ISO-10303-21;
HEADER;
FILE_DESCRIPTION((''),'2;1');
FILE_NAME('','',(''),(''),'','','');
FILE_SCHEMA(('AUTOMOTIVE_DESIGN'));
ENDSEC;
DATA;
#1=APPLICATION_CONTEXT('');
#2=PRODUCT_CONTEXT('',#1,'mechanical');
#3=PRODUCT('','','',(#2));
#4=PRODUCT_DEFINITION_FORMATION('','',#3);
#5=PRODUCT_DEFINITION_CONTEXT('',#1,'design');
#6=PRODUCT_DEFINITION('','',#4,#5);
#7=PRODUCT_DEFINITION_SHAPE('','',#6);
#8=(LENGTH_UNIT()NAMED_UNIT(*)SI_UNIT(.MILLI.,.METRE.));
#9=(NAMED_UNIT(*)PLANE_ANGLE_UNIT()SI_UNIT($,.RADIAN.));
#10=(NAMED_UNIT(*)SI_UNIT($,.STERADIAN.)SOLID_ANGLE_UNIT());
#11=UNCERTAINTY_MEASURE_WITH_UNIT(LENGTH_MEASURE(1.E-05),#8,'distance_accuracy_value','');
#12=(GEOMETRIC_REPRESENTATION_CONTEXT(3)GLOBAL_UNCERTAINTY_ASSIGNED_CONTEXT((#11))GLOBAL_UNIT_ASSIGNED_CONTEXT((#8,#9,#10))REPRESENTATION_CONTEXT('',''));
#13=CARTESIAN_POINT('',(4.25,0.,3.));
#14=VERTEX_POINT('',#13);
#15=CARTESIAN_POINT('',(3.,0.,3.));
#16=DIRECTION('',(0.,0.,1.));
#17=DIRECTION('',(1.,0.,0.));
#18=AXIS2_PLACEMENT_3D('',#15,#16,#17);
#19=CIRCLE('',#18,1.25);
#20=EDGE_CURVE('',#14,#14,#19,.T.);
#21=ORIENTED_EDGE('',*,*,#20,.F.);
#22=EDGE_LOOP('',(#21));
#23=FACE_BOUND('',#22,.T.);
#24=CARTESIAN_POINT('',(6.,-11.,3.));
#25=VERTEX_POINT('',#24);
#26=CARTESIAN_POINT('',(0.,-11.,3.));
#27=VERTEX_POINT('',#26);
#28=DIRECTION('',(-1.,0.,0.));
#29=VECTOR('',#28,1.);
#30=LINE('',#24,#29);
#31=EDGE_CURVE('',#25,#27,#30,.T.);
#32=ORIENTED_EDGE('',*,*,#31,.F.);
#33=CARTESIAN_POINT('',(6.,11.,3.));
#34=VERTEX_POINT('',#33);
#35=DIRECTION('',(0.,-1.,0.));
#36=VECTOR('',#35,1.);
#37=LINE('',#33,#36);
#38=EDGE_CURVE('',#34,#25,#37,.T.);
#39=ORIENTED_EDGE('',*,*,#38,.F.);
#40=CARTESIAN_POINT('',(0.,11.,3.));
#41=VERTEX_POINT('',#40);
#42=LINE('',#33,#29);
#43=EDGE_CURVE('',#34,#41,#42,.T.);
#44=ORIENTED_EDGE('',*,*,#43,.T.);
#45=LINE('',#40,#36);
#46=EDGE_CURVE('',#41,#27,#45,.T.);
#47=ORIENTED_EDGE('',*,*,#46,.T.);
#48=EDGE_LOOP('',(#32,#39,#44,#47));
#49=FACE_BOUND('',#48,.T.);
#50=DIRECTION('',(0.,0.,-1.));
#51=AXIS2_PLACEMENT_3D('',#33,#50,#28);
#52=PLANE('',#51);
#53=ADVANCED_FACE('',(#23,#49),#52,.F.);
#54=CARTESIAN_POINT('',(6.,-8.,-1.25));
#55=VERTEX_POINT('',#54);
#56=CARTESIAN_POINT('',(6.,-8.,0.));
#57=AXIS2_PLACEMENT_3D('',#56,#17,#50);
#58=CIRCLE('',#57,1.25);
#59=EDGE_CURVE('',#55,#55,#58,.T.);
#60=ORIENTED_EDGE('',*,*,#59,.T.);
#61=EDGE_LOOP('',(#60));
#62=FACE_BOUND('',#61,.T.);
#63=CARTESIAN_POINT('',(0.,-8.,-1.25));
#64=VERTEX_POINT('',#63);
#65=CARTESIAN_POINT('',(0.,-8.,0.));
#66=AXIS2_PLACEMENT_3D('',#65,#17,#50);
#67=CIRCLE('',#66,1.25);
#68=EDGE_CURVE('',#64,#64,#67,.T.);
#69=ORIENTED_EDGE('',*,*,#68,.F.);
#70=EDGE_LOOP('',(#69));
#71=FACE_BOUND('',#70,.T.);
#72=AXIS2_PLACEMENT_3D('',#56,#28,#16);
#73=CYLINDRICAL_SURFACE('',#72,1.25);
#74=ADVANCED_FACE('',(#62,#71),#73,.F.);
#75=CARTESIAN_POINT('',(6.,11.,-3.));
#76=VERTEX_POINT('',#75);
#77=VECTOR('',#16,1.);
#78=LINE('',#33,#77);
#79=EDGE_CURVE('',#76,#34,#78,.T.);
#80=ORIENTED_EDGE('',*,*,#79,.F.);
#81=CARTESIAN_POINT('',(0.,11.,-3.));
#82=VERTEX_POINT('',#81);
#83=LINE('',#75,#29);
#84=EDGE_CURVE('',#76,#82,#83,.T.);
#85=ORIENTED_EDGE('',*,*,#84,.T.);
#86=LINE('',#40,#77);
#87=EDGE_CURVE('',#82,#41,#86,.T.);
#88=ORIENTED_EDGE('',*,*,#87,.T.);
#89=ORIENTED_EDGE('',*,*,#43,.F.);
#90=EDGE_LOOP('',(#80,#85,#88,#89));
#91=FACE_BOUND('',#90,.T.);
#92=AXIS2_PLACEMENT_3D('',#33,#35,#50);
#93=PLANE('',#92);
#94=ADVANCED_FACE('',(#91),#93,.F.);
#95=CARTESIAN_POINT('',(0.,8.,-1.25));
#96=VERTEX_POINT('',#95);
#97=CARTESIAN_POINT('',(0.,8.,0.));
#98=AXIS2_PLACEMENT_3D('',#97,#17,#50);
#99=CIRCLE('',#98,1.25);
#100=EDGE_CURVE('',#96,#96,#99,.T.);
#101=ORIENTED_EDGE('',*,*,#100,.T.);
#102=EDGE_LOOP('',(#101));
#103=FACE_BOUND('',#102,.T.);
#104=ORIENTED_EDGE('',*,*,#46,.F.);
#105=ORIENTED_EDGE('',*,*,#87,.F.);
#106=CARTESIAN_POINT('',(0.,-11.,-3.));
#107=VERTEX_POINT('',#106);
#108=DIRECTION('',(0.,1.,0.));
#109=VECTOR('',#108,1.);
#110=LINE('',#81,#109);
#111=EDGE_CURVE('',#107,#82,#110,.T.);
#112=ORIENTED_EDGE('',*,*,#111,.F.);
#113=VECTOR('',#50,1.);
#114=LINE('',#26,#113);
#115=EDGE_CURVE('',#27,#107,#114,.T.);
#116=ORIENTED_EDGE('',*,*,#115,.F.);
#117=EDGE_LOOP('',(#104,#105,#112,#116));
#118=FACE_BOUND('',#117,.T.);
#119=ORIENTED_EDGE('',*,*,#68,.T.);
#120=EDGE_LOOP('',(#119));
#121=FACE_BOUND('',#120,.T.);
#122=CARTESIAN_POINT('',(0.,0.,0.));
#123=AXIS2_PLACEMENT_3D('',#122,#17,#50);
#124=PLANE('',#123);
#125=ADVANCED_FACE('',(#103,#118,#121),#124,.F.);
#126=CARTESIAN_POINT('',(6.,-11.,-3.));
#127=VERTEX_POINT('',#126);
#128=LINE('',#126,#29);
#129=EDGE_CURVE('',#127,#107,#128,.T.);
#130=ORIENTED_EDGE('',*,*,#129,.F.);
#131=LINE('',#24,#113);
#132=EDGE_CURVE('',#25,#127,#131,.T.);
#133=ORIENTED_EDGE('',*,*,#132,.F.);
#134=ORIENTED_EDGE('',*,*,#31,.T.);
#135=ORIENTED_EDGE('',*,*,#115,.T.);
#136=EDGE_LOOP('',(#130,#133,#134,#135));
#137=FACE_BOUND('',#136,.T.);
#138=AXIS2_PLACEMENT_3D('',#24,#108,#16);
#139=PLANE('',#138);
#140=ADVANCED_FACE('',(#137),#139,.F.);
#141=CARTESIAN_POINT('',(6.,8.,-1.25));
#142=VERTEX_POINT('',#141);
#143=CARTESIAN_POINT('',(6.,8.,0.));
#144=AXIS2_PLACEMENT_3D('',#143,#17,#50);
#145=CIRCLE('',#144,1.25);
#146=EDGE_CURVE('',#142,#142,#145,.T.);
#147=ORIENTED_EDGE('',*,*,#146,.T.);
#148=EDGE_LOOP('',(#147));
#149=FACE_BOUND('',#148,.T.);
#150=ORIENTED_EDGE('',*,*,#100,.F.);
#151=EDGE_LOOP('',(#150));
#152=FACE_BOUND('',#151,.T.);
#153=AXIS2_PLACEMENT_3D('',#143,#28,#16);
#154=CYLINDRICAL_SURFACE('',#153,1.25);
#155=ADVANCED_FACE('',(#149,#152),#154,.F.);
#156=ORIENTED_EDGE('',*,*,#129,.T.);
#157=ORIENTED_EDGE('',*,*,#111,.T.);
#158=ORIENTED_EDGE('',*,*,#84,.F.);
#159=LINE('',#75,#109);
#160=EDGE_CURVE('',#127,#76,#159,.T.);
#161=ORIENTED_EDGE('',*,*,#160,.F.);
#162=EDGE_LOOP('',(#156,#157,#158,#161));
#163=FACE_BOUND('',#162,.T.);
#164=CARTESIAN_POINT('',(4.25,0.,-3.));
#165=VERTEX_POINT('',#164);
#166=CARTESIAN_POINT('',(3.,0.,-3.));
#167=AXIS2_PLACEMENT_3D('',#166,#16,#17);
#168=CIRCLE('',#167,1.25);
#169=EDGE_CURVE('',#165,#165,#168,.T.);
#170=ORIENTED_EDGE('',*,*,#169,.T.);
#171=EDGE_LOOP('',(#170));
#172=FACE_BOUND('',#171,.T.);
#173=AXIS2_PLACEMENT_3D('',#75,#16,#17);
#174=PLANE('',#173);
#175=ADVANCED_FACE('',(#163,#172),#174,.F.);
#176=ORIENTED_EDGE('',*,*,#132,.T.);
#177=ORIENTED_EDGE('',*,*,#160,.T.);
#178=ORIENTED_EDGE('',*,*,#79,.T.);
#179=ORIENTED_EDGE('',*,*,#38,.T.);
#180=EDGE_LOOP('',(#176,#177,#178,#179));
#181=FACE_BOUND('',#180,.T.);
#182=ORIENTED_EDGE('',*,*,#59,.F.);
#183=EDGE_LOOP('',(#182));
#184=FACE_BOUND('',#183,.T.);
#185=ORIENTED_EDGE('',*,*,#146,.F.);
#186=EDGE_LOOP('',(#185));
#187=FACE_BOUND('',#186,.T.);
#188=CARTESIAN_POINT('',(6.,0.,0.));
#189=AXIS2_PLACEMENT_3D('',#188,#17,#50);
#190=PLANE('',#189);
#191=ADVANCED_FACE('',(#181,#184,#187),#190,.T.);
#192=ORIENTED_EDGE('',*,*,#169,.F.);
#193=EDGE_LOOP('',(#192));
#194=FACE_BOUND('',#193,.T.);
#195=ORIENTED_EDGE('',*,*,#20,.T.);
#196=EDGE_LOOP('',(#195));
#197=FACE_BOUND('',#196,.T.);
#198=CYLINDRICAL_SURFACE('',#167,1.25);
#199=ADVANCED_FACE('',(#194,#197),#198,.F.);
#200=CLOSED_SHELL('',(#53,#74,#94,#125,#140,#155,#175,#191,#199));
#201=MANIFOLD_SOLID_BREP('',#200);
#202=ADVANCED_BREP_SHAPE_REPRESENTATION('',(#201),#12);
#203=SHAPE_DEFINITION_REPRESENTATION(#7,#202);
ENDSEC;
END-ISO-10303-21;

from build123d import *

# Parameters (mm, degrees)
SKETCH_1_W          = 6
SKETCH_1_H          = 22
SKETCH_1_R          = 1.25
EXTRUDE_1_DEPTH     = 6
SKETCH_2_R          = 1.25
CUT_EXTRUDE_1_DEPTH = 7


with BuildPart() as part:
    # 草图1 → 凸台-拉伸1 (new body)
    with BuildSketch(Plane(origin=(0, 0, 0), x_dir=(0, 0, -1), z_dir=(1, 0, 0))):
        Rectangle(SKETCH_1_W, SKETCH_1_H)
        with Locations((0, 8)):
            Circle(SKETCH_1_R, mode=Mode.SUBTRACT)
        with Locations((0, -8)):
            Circle(SKETCH_1_R, mode=Mode.SUBTRACT)
    extrude(amount=EXTRUDE_1_DEPTH)

    # 草图2 → 切除-拉伸1 (cut, through all)
    with BuildSketch(Plane.XY.offset(3)):
        with Locations((3, 0)):
            Circle(SKETCH_2_R)
    extrude(amount=-CUT_EXTRUDE_1_DEPTH, mode=Mode.SUBTRACT)


solid = part.part
